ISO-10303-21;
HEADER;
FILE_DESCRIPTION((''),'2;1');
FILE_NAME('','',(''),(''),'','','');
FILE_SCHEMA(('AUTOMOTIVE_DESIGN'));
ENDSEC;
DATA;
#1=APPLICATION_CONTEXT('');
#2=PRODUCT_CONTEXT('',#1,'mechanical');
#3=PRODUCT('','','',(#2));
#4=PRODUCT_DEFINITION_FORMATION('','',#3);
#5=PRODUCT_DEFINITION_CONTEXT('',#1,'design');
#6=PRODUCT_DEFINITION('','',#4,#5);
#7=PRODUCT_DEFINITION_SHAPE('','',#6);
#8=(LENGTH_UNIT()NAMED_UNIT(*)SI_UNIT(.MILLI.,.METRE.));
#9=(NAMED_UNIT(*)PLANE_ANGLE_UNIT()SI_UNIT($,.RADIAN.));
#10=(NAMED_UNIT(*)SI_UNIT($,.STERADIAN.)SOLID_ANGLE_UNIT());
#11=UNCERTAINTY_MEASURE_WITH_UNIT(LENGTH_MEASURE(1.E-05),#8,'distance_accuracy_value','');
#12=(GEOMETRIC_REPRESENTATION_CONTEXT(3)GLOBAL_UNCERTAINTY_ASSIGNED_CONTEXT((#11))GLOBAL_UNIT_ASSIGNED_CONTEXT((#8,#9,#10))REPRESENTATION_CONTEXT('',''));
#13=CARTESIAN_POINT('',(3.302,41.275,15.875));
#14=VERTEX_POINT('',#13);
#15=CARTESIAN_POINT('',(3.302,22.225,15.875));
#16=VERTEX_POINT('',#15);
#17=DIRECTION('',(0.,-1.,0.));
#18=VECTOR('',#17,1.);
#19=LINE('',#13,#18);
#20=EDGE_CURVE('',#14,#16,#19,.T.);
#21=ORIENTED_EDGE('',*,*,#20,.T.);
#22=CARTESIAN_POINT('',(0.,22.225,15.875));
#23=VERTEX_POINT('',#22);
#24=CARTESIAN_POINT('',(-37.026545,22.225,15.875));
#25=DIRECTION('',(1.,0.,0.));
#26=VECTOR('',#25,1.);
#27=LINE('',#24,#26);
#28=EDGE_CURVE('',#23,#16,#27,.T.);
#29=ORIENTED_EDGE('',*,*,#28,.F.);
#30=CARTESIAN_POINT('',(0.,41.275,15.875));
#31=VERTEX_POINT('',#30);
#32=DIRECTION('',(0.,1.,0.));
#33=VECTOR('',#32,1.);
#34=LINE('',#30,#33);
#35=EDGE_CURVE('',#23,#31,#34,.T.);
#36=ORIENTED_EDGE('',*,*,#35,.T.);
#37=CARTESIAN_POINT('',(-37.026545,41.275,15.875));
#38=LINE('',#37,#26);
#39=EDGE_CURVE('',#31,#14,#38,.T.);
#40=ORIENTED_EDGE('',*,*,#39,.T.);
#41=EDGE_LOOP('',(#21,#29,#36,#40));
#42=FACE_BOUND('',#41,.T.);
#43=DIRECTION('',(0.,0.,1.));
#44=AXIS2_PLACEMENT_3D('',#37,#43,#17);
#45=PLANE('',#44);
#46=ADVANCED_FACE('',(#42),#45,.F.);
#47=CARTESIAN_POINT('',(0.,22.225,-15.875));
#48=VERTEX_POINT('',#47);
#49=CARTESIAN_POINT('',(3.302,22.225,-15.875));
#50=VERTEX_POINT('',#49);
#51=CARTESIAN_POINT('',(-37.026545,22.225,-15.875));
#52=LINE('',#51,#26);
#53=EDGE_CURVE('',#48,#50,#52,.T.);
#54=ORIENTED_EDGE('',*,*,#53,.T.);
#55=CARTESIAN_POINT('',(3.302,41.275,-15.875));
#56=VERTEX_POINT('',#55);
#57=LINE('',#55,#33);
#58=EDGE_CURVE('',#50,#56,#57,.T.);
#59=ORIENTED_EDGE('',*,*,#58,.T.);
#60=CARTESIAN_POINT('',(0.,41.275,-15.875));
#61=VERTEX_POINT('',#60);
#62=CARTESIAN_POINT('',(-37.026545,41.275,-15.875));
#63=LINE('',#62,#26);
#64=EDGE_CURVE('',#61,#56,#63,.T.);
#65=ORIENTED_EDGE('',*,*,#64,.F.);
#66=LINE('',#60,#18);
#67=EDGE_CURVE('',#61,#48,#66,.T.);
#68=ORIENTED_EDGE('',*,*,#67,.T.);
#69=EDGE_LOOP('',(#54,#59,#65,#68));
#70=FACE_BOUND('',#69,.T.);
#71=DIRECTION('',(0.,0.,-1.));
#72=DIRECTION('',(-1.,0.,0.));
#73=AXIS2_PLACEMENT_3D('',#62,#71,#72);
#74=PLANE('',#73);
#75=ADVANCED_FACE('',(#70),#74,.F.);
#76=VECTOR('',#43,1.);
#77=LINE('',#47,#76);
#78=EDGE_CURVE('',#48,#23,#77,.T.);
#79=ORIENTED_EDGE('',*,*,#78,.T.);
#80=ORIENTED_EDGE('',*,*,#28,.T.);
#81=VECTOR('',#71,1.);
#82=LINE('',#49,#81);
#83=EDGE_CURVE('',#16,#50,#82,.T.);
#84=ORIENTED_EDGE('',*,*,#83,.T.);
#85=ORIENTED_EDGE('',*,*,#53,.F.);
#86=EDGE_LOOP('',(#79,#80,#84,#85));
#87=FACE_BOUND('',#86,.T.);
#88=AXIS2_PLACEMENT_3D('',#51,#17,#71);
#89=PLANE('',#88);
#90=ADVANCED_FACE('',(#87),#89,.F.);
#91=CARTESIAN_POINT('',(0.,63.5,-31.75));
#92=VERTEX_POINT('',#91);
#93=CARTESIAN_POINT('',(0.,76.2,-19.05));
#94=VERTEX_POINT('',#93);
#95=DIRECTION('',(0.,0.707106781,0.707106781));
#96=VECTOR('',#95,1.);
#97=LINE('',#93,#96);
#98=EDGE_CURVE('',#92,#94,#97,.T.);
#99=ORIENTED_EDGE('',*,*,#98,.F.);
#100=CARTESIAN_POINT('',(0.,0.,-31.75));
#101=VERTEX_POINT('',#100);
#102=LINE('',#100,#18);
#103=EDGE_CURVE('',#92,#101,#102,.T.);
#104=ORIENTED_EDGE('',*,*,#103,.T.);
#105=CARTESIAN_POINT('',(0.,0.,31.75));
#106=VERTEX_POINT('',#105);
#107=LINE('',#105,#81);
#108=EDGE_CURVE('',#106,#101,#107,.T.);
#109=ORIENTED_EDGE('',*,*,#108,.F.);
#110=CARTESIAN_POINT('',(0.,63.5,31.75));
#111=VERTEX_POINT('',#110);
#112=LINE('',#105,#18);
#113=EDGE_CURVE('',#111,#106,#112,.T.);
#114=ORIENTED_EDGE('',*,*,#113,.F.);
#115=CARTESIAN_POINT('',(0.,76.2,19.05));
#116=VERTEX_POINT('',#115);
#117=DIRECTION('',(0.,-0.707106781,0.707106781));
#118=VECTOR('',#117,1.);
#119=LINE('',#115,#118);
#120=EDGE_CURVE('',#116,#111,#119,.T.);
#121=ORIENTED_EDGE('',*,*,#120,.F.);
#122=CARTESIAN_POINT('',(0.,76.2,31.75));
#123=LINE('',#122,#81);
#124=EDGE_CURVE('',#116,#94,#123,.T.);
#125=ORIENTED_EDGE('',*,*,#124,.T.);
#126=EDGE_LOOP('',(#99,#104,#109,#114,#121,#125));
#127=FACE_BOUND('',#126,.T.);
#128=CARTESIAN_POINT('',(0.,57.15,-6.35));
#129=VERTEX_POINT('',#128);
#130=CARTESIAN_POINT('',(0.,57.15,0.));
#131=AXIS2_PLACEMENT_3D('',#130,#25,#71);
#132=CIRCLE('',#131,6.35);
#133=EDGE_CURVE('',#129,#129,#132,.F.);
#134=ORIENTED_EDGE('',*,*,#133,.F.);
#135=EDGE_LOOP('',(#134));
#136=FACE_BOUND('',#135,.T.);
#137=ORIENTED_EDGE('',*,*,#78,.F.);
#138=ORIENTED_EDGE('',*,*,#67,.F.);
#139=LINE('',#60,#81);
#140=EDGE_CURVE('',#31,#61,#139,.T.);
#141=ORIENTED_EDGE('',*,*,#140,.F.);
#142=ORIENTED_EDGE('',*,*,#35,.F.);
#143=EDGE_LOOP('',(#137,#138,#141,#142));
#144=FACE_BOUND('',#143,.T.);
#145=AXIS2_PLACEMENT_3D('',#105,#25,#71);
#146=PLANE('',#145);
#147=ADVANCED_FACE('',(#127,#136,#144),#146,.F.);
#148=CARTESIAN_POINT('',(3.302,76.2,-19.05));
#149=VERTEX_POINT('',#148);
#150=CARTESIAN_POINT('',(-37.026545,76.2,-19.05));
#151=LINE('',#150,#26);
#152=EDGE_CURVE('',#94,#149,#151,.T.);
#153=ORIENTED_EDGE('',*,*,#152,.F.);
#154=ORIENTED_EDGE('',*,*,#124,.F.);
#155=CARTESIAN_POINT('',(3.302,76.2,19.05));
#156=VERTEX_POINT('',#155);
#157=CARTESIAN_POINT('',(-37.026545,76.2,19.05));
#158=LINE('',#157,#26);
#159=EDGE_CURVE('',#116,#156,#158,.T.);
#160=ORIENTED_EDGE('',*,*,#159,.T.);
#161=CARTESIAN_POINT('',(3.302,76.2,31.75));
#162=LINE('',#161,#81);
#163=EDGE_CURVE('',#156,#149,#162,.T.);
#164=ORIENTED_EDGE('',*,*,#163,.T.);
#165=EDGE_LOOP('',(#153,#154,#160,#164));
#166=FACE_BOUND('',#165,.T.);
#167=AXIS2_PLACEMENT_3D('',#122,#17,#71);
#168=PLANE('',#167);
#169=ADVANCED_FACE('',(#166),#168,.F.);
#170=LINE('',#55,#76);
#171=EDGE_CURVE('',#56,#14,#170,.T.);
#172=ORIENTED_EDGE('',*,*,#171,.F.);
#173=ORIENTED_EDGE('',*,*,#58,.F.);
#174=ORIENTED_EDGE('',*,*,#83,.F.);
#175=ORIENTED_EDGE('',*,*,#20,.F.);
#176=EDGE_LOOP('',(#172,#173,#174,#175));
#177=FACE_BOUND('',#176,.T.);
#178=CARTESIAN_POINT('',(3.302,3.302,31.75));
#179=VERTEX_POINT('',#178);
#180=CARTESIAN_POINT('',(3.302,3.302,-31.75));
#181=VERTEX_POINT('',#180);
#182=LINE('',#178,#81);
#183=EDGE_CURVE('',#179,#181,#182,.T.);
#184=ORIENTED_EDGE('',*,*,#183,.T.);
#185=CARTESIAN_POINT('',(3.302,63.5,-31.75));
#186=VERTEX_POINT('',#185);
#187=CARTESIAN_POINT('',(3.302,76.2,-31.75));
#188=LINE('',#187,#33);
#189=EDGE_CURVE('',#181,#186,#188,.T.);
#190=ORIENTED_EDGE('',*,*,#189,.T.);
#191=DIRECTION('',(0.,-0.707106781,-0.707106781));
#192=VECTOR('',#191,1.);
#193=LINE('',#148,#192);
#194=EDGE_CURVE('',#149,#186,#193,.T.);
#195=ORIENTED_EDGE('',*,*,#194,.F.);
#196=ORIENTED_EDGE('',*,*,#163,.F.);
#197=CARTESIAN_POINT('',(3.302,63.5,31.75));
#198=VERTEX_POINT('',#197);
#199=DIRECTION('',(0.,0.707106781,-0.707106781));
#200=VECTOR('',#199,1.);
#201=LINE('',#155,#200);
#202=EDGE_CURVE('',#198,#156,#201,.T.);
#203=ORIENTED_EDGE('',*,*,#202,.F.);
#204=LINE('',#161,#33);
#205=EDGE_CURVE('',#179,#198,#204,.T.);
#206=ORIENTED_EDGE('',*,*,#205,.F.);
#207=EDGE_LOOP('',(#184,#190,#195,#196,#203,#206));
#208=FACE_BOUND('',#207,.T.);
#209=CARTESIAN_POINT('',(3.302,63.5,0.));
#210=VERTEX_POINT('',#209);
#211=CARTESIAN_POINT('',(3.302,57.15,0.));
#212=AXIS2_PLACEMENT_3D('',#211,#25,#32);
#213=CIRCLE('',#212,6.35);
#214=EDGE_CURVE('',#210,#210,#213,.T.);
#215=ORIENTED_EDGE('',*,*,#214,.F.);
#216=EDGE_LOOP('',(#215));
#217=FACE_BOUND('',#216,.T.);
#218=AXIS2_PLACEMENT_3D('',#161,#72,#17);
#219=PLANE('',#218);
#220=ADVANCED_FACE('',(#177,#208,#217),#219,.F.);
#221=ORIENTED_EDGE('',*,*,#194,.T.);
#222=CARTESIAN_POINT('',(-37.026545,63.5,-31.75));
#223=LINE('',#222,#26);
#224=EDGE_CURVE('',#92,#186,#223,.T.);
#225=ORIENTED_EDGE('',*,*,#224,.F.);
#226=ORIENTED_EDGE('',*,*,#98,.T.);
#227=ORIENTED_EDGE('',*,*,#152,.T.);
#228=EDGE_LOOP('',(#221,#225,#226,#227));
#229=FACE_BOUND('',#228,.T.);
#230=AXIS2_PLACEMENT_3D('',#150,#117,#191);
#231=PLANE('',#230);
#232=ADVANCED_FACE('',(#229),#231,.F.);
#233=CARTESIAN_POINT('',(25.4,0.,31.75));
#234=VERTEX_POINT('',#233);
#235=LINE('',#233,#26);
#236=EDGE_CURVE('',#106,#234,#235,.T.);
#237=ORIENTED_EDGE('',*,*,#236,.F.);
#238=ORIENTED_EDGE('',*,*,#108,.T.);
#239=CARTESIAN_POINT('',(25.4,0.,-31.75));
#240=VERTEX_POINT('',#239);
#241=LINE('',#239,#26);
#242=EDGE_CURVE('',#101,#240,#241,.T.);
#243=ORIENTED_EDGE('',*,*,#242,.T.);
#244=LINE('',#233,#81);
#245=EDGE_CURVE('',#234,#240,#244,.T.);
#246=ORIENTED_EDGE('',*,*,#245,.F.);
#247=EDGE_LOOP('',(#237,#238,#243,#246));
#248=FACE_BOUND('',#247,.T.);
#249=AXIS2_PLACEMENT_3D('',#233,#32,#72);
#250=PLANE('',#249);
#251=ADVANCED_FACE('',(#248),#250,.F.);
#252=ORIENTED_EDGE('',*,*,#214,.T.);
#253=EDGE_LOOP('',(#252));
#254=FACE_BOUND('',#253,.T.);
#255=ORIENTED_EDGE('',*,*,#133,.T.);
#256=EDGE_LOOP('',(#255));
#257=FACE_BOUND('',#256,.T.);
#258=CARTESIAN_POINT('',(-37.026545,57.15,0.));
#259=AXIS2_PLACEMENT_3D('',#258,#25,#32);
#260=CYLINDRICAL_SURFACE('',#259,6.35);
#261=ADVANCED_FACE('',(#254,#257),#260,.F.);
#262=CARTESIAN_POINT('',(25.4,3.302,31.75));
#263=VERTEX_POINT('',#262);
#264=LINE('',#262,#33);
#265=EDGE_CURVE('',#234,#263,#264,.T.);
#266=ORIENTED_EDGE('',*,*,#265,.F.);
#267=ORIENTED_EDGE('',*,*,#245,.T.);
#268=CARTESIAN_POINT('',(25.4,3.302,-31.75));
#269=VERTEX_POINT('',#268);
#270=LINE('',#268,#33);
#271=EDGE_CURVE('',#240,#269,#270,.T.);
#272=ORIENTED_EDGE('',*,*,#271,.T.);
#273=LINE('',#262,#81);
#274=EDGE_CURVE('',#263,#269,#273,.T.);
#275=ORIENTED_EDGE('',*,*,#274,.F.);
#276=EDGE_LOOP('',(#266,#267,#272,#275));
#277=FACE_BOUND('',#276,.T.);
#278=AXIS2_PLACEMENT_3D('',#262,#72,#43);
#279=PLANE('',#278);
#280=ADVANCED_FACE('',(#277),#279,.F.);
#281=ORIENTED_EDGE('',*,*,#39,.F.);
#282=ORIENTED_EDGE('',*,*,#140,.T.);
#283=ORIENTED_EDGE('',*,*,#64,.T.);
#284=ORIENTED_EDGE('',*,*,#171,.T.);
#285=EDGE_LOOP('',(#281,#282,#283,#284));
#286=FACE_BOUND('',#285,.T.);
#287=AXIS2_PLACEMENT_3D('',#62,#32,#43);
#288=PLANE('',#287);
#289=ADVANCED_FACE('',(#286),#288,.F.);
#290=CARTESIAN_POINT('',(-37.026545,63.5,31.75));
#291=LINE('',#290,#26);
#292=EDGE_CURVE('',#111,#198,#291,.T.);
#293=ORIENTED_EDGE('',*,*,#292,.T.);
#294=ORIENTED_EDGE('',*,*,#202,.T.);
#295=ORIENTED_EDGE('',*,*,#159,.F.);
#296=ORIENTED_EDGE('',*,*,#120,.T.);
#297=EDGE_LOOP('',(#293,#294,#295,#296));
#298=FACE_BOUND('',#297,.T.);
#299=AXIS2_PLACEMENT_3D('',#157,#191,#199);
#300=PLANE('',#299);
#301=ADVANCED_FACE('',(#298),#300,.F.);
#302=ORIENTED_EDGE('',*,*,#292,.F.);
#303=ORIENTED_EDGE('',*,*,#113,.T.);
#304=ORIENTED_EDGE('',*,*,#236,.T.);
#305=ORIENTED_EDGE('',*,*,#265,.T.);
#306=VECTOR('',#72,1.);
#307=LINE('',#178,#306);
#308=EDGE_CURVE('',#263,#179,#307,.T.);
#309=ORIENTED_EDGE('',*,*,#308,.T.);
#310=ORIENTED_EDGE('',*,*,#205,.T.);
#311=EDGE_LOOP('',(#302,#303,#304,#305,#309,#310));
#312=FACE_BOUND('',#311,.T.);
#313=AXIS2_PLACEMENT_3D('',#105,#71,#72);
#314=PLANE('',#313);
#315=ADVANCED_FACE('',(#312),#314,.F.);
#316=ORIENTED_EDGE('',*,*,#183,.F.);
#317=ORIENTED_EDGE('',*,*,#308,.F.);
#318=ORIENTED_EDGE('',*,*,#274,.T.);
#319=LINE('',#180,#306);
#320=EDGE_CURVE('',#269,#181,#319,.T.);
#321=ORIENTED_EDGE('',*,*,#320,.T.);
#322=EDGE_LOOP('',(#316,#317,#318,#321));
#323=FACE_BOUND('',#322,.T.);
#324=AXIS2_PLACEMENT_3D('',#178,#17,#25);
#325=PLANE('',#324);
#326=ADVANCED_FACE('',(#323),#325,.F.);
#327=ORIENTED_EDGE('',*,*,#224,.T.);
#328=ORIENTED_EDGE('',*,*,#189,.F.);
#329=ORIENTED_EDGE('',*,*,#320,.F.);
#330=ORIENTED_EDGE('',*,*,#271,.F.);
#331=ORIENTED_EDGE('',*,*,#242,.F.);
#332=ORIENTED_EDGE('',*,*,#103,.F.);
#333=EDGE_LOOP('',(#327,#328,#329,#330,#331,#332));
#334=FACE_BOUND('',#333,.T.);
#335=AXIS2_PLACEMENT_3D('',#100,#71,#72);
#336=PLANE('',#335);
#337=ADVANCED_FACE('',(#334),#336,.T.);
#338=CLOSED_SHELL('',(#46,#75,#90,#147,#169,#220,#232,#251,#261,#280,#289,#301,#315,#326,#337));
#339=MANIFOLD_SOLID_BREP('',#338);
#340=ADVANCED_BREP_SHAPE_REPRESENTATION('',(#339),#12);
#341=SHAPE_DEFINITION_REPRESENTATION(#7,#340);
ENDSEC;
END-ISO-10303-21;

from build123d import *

# Parameters (mm, degrees)
BOSS_EXTRUDE1_DEPTH = 31.75
SKETCH5_R           = 6.35
SKETCH5_W           = 31.75
SKETCH5_H           = 19.05
CUT_EXTRUDE1_DEPTH  = 3.302


with BuildPart() as part:
    # Sketch4 → Boss-Extrude1 (new, symmetric)
    with BuildSketch(Plane.XY):
        Polygon((0, 0), (0, 76.2), (3.302, 76.2), (3.302, 3.302), (25.4, 3.302), (25.4, 0), align=None)
    extrude(amount=BOSS_EXTRUDE1_DEPTH, both=True)

    # Sketch5 → Cut-Extrude1 (cut)
    with BuildSketch(Plane(origin=(3.302, 0, 0), x_dir=(0, 0, -1), z_dir=(1, 0, 0))):
        with Locations(Location((0, 57.15, 0), (0, 0, 90))):
            Circle(SKETCH5_R)
        Polygon((-31.75, 63.5), (-31.75, 76.2), (-19.05, 76.2), align=None)
        with Locations((0, 31.75)):
            Rectangle(SKETCH5_W, SKETCH5_H)
        Polygon((19.05, 76.2), (31.75, 63.5), (31.75, 76.2), align=None)
    extrude(amount=-CUT_EXTRUDE1_DEPTH, mode=Mode.SUBTRACT)


solid = part.part
